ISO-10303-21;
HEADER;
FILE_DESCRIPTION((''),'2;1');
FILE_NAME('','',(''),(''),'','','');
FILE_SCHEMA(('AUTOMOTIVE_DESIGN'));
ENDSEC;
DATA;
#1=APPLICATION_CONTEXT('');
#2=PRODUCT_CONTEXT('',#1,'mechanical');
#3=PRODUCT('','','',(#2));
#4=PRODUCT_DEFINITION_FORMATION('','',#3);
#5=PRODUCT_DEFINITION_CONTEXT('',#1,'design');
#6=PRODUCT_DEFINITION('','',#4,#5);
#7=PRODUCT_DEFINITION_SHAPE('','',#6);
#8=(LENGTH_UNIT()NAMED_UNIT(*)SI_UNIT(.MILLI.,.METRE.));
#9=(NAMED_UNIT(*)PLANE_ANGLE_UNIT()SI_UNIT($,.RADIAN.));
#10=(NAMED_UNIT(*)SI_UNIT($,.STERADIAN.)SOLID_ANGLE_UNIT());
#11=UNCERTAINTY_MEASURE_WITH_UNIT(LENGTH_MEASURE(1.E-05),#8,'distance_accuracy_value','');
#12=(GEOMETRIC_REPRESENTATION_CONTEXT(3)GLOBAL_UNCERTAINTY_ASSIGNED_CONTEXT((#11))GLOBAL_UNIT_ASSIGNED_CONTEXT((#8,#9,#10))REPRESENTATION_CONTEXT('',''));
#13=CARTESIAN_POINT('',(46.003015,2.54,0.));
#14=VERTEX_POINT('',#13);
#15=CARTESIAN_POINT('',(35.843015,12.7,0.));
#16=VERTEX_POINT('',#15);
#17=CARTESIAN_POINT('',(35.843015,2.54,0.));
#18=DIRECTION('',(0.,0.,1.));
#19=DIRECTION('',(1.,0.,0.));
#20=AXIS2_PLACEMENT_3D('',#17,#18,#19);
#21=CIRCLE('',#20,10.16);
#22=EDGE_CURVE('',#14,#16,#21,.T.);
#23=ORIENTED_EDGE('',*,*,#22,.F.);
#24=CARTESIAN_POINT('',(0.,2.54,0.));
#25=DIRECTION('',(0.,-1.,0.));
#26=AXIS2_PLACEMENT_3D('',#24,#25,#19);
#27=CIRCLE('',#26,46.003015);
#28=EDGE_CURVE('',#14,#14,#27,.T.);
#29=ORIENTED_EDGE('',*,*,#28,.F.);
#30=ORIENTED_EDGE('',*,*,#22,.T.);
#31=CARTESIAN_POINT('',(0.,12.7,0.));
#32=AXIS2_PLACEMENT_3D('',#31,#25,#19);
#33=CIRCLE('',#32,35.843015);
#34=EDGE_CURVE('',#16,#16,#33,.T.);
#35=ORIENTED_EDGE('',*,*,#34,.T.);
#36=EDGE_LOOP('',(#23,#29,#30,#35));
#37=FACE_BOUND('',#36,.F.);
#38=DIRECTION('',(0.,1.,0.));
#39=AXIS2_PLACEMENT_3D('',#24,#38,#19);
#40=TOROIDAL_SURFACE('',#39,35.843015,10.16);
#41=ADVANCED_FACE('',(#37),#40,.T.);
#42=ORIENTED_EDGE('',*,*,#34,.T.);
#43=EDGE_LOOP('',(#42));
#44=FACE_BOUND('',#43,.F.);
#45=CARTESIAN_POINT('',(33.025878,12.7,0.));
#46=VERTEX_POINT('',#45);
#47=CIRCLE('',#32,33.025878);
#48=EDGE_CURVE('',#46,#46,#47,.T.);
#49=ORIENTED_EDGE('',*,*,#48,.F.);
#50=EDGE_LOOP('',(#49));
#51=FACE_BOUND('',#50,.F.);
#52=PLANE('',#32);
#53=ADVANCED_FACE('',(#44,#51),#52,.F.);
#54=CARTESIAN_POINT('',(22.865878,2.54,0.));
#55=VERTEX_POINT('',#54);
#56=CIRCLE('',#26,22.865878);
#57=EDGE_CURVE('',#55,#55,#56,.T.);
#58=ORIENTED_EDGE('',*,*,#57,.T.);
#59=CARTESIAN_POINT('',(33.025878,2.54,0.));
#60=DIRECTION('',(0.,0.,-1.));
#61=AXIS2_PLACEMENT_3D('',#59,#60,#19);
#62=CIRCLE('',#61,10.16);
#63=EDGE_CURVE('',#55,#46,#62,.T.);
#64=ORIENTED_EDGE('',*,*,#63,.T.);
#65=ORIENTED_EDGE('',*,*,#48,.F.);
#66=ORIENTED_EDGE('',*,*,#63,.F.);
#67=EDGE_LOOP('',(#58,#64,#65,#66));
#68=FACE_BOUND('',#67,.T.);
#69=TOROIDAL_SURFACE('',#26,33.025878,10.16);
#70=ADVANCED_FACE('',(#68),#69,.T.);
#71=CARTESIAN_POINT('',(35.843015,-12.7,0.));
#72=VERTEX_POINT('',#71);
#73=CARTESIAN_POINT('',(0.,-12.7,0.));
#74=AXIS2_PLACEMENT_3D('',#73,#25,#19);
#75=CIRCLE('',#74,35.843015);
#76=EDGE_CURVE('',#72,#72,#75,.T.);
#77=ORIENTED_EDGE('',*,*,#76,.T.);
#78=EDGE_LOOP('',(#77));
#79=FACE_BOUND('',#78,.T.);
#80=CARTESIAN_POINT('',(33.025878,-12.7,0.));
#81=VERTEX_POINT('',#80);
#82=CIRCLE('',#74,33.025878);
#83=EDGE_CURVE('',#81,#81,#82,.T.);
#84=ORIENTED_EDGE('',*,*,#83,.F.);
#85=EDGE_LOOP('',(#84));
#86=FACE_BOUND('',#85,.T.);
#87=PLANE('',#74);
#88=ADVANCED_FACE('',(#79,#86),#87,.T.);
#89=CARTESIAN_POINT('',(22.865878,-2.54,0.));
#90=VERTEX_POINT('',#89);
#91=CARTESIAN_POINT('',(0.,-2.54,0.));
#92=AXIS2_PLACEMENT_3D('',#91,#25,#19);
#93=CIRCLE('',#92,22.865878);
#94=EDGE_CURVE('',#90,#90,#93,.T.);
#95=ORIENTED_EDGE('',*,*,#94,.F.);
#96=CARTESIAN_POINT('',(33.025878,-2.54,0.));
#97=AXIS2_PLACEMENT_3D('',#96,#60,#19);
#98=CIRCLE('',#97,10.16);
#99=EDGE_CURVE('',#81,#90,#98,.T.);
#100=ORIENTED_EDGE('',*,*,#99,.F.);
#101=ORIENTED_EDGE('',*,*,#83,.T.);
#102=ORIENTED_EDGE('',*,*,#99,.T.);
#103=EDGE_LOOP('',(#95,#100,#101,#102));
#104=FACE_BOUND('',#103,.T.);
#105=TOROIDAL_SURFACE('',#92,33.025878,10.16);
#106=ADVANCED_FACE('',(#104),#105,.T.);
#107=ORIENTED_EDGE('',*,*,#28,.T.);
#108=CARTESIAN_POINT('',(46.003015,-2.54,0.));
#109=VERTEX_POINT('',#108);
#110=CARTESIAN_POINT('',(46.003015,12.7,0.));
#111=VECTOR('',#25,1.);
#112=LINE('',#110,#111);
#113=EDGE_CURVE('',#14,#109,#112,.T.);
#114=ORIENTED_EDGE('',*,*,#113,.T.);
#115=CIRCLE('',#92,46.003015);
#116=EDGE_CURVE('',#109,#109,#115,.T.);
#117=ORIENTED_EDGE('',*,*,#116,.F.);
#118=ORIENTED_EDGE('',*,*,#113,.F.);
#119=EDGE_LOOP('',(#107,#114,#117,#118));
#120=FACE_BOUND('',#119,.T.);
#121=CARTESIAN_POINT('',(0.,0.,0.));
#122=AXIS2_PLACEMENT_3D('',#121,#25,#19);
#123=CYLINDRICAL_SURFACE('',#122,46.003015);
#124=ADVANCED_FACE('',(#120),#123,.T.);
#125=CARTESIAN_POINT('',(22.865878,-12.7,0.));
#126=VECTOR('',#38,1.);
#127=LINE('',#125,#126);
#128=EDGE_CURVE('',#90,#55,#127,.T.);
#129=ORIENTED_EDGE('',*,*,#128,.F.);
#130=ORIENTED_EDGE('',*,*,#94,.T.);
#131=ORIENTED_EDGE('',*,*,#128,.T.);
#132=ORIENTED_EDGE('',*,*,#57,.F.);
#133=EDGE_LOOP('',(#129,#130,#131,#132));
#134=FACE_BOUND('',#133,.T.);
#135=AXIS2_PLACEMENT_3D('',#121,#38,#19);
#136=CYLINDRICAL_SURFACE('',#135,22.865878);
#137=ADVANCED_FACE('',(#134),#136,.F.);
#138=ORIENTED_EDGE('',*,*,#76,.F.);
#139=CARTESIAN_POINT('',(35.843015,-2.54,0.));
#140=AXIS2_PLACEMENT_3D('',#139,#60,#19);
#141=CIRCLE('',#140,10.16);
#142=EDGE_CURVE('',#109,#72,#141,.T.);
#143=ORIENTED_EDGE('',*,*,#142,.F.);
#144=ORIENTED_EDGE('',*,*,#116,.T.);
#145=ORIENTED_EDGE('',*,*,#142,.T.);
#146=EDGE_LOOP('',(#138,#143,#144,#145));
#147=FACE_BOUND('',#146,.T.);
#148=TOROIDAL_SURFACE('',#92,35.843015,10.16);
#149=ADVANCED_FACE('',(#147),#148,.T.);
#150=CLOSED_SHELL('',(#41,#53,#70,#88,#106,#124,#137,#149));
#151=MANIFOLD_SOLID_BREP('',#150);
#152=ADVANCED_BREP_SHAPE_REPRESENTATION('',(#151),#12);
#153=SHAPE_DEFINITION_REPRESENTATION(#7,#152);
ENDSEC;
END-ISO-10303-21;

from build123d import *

# Parameters (mm, degrees)
F0_R     = 46.003015
F0_R_2   = 22.865878
F1_DEPTH = 12.7
F2_R     = 10.16


with BuildPart() as f1:
    # F0 (on Front) → F1 (new body, symmetric)
    with BuildSketch(Plane.XZ):
        Circle(F0_R)
        Circle(F0_R_2, mode=Mode.SUBTRACT)
    extrude(amount=F1_DEPTH, both=True)

    # F2
    f2_edges = [f1.edges().sort_by_distance(p)[0] for p in [
        (-46.003015, -12.7, 0),
        (-46.003015, 12.7, 0),
        (-22.865878, -12.7, 0),
        (-22.865878, 12.7, 0),
    ]]
    fillet(f2_edges, radius=F2_R)


solid = f1.part
